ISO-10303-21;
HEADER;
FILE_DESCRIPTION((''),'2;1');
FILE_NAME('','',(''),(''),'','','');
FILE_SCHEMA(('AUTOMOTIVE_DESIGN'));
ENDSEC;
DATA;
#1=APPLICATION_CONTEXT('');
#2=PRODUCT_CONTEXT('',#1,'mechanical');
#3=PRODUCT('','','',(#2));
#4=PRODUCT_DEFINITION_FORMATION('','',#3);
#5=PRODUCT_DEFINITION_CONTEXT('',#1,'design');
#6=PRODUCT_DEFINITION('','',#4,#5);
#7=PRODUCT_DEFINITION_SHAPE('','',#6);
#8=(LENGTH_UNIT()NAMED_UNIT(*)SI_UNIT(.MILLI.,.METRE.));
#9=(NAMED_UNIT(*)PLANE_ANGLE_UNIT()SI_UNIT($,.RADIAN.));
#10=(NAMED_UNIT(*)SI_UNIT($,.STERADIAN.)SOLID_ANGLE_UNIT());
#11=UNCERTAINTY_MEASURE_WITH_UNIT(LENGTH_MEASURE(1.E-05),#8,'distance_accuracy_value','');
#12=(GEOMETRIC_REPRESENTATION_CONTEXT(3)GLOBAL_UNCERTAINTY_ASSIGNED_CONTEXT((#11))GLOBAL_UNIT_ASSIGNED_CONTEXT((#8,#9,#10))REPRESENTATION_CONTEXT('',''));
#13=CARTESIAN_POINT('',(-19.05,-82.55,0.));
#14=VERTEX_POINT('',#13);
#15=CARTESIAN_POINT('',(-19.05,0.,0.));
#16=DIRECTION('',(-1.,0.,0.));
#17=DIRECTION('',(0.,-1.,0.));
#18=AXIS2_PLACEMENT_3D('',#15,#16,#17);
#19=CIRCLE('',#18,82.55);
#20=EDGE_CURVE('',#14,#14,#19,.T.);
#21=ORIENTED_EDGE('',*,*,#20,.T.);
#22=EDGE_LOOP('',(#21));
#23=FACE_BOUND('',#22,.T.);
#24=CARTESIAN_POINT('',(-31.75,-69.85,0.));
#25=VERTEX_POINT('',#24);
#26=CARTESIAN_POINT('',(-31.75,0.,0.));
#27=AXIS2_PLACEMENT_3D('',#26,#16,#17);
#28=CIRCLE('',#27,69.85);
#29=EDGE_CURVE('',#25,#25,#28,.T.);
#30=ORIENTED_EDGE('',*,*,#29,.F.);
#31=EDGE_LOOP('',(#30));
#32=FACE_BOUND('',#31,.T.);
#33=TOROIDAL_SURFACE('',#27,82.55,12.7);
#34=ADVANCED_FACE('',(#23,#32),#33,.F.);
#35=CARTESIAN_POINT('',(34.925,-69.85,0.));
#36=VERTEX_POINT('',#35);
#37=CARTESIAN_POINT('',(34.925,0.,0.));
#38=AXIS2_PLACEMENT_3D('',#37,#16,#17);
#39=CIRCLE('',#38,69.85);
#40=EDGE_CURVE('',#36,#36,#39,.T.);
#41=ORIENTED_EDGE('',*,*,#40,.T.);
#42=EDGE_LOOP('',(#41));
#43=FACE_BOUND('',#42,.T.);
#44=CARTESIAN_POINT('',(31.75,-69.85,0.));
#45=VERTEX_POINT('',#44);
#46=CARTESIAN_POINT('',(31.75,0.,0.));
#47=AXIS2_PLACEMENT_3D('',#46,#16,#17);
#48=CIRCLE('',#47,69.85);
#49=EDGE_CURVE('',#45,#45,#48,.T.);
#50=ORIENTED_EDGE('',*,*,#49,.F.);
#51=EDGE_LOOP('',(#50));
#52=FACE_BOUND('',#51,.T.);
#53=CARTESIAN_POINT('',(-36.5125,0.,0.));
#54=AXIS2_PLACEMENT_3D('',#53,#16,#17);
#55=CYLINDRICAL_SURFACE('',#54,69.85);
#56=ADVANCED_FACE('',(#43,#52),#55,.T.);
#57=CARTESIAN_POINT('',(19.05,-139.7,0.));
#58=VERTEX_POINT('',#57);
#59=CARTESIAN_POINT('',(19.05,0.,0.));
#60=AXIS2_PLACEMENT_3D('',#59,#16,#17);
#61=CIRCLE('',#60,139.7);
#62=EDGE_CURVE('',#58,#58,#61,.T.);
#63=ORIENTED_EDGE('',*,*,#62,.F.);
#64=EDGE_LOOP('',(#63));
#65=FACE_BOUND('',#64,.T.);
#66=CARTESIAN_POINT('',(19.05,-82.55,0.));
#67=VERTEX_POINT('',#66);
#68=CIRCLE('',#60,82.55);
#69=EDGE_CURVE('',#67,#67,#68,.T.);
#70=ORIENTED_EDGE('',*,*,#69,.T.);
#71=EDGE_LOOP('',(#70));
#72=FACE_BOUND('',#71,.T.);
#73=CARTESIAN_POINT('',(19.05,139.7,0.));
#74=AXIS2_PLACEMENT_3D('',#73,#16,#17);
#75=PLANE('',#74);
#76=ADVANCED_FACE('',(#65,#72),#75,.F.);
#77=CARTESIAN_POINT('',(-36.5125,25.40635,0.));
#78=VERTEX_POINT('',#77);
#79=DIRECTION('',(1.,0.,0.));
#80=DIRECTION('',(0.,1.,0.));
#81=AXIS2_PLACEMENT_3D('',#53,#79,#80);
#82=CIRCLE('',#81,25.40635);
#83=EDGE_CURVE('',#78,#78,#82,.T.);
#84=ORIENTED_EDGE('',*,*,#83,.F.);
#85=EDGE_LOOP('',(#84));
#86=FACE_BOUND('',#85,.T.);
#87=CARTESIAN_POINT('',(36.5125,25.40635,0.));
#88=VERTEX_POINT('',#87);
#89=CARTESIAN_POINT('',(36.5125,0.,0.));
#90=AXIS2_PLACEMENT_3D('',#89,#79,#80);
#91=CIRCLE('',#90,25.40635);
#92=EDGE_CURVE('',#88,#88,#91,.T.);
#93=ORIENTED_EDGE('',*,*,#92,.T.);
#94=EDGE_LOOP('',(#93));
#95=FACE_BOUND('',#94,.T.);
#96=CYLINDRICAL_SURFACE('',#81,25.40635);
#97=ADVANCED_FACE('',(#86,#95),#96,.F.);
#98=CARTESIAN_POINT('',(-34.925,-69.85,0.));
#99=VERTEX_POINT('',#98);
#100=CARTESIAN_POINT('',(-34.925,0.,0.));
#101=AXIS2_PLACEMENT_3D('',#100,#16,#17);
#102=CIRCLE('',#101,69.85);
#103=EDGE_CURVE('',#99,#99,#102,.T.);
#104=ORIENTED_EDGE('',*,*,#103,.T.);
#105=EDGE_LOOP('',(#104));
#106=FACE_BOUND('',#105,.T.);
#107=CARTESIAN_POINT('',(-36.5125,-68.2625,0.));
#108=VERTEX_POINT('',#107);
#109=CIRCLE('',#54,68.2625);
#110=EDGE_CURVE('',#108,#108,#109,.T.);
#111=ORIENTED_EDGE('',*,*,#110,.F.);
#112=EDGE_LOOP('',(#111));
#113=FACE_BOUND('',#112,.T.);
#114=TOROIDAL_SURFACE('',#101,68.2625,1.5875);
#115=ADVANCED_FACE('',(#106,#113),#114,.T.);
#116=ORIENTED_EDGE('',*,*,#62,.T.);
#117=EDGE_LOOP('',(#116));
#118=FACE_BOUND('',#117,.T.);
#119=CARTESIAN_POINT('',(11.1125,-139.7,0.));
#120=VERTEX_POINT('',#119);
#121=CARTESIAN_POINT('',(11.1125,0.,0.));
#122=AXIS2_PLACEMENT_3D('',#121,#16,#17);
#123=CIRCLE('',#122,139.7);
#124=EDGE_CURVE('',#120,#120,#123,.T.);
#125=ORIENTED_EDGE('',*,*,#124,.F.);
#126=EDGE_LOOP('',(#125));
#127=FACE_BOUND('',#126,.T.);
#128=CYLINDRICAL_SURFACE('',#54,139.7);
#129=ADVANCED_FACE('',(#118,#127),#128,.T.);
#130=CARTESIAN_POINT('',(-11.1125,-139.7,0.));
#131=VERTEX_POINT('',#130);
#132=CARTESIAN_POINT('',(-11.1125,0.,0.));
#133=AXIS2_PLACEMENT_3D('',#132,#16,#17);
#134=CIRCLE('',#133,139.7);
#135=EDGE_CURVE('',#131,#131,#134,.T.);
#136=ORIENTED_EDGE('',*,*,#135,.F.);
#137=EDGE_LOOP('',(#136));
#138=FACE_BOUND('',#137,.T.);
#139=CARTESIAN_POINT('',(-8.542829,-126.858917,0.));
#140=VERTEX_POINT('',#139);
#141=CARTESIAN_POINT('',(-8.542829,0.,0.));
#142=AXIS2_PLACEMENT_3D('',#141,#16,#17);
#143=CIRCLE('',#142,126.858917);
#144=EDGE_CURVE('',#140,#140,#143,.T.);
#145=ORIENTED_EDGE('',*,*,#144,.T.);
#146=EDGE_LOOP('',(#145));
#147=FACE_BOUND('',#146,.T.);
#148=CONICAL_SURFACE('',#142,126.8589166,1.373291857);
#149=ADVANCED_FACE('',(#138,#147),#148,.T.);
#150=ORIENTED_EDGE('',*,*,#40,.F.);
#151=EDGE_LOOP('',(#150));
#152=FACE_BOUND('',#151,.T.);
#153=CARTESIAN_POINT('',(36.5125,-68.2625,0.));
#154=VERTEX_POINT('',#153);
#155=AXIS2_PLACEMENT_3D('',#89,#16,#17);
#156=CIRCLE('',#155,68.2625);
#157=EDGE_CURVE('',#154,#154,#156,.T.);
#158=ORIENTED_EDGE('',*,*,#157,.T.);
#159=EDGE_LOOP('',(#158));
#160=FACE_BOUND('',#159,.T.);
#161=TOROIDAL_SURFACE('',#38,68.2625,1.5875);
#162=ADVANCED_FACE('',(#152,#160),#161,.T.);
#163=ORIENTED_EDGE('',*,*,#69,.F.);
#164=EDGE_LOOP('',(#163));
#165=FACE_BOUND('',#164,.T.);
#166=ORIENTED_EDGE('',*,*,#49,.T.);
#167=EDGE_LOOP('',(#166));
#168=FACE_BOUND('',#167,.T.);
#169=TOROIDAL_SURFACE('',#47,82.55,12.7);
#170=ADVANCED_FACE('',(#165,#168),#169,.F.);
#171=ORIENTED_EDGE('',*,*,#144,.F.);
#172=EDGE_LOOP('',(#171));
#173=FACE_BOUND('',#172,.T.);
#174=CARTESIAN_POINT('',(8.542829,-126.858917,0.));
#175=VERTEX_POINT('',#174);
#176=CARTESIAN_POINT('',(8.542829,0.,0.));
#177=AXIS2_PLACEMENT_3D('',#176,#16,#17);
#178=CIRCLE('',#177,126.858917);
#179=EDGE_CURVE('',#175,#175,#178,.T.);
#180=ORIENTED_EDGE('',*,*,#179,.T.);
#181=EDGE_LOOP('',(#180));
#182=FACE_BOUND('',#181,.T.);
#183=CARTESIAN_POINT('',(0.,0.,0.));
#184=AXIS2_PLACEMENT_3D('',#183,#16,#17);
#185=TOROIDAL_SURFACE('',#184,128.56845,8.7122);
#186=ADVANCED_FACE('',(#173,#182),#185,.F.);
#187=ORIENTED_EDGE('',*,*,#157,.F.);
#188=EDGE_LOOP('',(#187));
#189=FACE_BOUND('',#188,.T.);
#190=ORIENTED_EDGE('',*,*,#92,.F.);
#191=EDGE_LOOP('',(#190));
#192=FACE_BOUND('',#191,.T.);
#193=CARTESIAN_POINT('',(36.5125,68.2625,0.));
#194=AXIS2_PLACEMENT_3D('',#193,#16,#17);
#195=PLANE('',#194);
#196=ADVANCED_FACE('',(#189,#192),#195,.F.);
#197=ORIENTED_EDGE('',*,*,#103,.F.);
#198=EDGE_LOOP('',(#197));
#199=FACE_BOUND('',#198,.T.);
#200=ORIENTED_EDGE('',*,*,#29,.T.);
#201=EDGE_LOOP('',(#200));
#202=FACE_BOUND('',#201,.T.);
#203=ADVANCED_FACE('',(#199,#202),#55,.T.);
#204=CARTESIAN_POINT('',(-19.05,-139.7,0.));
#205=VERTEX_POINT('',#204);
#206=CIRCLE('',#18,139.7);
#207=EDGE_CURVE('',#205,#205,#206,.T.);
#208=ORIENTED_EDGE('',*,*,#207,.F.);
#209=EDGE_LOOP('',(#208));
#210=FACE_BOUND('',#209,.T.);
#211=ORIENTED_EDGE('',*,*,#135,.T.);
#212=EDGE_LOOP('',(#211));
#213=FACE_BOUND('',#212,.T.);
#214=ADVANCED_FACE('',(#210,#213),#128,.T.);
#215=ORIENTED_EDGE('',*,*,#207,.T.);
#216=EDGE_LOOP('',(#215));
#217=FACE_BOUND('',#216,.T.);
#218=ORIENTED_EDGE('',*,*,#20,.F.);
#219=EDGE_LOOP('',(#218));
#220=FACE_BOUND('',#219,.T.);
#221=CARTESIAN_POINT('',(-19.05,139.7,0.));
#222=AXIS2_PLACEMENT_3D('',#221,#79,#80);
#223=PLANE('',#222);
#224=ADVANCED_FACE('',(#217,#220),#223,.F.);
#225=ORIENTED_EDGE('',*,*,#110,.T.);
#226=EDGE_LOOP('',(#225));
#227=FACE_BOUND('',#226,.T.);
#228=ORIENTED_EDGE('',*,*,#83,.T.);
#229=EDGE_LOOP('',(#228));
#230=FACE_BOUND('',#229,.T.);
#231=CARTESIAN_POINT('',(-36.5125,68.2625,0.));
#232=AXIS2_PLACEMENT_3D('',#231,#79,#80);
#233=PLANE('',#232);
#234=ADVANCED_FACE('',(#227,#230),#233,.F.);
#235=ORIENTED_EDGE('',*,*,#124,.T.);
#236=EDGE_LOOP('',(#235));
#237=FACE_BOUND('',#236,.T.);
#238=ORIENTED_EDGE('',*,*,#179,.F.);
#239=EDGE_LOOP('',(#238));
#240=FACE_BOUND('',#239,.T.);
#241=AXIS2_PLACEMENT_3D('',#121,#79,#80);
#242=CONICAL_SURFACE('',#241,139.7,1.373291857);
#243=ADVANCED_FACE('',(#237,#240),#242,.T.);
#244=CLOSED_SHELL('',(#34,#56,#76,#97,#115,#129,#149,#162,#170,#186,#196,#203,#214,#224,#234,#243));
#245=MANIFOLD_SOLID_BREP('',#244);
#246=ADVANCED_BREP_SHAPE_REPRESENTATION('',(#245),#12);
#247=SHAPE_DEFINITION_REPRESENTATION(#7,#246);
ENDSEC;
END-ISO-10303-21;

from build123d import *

# Parameters (mm, degrees)
SKETCH2_R          = 25.40635
CUT_EXTRUDE1_DEPTH = 74.025


with BuildPart() as part:
    # Sketch1 → Revolve1 (revolve)
    with BuildSketch(Plane.XY, mode=Mode.PRIVATE) as revolve1_sk:
        with BuildLine():
            Line((19.05, 139.7), (19.05, 82.55))
            ThreePointArc((19.05, 82.55), (22.769743879, 73.569743879), (31.75, 69.85))
            Line((31.75, 69.85), (34.925, 69.85))
            ThreePointArc((34.925, 69.85), (36.047532015, 69.385032015), (36.5125, 68.2625))
            Line((36.5125, 68.2625), (36.5125, 0))
            Line((36.5125, 0), (-36.5125, 0))
            Line((-36.5125, 0), (-36.5125, 68.2625))
            ThreePointArc((-36.5125, 68.2625), (-36.047532015, 69.385032015), (-34.925, 69.85))
            Line((-34.925, 69.85), (-31.75, 69.85))
            ThreePointArc((-31.75, 69.85), (-22.769743879, 73.569743879), (-19.05, 82.55))
            Line((-19.05, 82.55), (-19.05, 139.7))
            Line((-19.05, 139.7), (-11.1125, 139.7))
            Line((-11.1125, 139.7), (-8.542828829, 126.8589166))
            ThreePointArc((-8.542828829, 126.8589166), (0, 119.85625), (8.542828829, 126.8589166))
            Line((8.542828829, 126.8589166), (11.1125, 139.7))
            Line((11.1125, 139.7), (19.05, 139.7))
        make_face()
    revolve(revolve1_sk.sketch.rotate(Axis((-36.5125, 0, 0), (1, 0, 0)), 180), axis=Axis((-36.5125, 0, 0), (1, 0, 0)))  # turned: the seam where the file's is

    # Sketch2 → Cut-Extrude1 (cut, through all)
    with BuildSketch(Plane(origin=(36.5125, 0, 0), x_dir=(0, 0, -1), z_dir=(1, 0, 0))):
        with Locations(Location((0, 0, 0), (0, 0, 90))):  # turned: the seam where the file's is
            Circle(SKETCH2_R)
    extrude(amount=-CUT_EXTRUDE1_DEPTH, mode=Mode.SUBTRACT)


solid = part.part
